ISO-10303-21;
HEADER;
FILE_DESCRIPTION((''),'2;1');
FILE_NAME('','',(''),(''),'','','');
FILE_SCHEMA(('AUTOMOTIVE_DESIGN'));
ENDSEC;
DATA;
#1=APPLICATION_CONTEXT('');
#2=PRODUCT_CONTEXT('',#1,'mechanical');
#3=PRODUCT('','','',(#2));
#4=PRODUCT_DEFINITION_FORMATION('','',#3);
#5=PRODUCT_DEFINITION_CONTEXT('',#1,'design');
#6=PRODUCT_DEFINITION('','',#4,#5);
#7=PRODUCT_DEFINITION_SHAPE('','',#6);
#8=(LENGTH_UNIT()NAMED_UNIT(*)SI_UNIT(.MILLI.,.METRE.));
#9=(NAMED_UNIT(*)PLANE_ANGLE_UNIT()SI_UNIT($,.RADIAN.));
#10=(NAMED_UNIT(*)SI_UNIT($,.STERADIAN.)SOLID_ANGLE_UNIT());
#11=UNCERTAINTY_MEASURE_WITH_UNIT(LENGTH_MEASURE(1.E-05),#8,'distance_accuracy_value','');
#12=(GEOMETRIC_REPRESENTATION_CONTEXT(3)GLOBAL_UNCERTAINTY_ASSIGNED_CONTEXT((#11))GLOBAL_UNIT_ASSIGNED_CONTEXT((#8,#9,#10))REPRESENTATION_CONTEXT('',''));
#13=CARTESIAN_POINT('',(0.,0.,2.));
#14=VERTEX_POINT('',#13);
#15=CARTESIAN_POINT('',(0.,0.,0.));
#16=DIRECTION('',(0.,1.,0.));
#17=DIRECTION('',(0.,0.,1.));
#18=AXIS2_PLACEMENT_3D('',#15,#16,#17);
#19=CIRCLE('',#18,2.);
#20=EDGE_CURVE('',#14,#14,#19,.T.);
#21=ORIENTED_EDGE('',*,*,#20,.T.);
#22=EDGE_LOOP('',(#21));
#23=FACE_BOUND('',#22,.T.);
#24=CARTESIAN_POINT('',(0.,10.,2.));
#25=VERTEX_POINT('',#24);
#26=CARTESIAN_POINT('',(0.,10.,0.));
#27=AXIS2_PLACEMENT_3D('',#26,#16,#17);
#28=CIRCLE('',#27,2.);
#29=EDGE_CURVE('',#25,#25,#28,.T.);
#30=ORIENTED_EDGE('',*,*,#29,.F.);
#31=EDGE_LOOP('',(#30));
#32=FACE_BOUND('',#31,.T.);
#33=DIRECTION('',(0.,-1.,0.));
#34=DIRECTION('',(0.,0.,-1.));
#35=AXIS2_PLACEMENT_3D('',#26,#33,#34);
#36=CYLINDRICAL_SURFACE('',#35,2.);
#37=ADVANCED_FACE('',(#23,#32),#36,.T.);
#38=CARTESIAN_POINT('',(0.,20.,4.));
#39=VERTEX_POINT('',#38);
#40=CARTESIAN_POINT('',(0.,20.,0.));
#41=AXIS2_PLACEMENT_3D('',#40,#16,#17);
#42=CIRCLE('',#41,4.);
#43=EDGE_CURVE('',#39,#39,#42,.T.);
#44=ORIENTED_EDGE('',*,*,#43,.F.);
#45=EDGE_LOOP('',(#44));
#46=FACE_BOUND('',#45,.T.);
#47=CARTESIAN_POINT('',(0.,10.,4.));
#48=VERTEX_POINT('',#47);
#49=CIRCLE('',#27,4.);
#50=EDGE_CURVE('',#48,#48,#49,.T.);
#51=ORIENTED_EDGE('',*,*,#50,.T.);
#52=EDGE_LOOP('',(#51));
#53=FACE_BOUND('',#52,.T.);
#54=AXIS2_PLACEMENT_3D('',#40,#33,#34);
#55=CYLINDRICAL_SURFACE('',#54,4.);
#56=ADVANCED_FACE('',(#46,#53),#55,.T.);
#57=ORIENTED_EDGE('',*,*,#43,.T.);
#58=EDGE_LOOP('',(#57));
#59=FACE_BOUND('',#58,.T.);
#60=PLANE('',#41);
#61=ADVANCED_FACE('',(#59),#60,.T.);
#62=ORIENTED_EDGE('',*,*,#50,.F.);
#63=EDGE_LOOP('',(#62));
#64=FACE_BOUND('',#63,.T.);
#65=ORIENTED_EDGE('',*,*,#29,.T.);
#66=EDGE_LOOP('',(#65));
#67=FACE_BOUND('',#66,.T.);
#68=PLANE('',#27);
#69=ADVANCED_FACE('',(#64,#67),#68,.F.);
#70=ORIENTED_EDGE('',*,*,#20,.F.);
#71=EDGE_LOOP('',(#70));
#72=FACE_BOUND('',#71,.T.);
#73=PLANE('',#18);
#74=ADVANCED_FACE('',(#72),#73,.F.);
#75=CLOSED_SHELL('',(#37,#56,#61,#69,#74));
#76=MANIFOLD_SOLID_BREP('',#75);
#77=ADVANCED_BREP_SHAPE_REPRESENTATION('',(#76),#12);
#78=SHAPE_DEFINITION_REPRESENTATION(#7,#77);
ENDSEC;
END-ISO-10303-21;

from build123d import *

# Parameters (mm, degrees)
ESQUISSE1_R        = 2
BOSS_EXTRU_1_DEPTH = 10
ESQUISSE2_R        = 4
BOSS_EXTRU_2_DEPTH = 10


with BuildPart() as part:
    # Esquisse1 → Boss.-Extru.1 (new body)
    with BuildSketch(Plane(origin=(0, 0, 0), x_dir=(1, 0, 0), z_dir=(0, 1, 0))):
        with Locations(Location((0, 0, 0), (0, 0, 270))):
            Circle(ESQUISSE1_R)
    extrude(amount=BOSS_EXTRU_1_DEPTH)

    # Esquisse2 → Boss.-Extru.2 (add)
    with BuildSketch(Plane(origin=(0, 10, 0), x_dir=(1, 0, 0), z_dir=(0, 1, 0))):
        with Locations(Location((0, 0, 0), (0, 0, 270))):
            Circle(ESQUISSE2_R)
    extrude(amount=BOSS_EXTRU_2_DEPTH)


solid = part.part
